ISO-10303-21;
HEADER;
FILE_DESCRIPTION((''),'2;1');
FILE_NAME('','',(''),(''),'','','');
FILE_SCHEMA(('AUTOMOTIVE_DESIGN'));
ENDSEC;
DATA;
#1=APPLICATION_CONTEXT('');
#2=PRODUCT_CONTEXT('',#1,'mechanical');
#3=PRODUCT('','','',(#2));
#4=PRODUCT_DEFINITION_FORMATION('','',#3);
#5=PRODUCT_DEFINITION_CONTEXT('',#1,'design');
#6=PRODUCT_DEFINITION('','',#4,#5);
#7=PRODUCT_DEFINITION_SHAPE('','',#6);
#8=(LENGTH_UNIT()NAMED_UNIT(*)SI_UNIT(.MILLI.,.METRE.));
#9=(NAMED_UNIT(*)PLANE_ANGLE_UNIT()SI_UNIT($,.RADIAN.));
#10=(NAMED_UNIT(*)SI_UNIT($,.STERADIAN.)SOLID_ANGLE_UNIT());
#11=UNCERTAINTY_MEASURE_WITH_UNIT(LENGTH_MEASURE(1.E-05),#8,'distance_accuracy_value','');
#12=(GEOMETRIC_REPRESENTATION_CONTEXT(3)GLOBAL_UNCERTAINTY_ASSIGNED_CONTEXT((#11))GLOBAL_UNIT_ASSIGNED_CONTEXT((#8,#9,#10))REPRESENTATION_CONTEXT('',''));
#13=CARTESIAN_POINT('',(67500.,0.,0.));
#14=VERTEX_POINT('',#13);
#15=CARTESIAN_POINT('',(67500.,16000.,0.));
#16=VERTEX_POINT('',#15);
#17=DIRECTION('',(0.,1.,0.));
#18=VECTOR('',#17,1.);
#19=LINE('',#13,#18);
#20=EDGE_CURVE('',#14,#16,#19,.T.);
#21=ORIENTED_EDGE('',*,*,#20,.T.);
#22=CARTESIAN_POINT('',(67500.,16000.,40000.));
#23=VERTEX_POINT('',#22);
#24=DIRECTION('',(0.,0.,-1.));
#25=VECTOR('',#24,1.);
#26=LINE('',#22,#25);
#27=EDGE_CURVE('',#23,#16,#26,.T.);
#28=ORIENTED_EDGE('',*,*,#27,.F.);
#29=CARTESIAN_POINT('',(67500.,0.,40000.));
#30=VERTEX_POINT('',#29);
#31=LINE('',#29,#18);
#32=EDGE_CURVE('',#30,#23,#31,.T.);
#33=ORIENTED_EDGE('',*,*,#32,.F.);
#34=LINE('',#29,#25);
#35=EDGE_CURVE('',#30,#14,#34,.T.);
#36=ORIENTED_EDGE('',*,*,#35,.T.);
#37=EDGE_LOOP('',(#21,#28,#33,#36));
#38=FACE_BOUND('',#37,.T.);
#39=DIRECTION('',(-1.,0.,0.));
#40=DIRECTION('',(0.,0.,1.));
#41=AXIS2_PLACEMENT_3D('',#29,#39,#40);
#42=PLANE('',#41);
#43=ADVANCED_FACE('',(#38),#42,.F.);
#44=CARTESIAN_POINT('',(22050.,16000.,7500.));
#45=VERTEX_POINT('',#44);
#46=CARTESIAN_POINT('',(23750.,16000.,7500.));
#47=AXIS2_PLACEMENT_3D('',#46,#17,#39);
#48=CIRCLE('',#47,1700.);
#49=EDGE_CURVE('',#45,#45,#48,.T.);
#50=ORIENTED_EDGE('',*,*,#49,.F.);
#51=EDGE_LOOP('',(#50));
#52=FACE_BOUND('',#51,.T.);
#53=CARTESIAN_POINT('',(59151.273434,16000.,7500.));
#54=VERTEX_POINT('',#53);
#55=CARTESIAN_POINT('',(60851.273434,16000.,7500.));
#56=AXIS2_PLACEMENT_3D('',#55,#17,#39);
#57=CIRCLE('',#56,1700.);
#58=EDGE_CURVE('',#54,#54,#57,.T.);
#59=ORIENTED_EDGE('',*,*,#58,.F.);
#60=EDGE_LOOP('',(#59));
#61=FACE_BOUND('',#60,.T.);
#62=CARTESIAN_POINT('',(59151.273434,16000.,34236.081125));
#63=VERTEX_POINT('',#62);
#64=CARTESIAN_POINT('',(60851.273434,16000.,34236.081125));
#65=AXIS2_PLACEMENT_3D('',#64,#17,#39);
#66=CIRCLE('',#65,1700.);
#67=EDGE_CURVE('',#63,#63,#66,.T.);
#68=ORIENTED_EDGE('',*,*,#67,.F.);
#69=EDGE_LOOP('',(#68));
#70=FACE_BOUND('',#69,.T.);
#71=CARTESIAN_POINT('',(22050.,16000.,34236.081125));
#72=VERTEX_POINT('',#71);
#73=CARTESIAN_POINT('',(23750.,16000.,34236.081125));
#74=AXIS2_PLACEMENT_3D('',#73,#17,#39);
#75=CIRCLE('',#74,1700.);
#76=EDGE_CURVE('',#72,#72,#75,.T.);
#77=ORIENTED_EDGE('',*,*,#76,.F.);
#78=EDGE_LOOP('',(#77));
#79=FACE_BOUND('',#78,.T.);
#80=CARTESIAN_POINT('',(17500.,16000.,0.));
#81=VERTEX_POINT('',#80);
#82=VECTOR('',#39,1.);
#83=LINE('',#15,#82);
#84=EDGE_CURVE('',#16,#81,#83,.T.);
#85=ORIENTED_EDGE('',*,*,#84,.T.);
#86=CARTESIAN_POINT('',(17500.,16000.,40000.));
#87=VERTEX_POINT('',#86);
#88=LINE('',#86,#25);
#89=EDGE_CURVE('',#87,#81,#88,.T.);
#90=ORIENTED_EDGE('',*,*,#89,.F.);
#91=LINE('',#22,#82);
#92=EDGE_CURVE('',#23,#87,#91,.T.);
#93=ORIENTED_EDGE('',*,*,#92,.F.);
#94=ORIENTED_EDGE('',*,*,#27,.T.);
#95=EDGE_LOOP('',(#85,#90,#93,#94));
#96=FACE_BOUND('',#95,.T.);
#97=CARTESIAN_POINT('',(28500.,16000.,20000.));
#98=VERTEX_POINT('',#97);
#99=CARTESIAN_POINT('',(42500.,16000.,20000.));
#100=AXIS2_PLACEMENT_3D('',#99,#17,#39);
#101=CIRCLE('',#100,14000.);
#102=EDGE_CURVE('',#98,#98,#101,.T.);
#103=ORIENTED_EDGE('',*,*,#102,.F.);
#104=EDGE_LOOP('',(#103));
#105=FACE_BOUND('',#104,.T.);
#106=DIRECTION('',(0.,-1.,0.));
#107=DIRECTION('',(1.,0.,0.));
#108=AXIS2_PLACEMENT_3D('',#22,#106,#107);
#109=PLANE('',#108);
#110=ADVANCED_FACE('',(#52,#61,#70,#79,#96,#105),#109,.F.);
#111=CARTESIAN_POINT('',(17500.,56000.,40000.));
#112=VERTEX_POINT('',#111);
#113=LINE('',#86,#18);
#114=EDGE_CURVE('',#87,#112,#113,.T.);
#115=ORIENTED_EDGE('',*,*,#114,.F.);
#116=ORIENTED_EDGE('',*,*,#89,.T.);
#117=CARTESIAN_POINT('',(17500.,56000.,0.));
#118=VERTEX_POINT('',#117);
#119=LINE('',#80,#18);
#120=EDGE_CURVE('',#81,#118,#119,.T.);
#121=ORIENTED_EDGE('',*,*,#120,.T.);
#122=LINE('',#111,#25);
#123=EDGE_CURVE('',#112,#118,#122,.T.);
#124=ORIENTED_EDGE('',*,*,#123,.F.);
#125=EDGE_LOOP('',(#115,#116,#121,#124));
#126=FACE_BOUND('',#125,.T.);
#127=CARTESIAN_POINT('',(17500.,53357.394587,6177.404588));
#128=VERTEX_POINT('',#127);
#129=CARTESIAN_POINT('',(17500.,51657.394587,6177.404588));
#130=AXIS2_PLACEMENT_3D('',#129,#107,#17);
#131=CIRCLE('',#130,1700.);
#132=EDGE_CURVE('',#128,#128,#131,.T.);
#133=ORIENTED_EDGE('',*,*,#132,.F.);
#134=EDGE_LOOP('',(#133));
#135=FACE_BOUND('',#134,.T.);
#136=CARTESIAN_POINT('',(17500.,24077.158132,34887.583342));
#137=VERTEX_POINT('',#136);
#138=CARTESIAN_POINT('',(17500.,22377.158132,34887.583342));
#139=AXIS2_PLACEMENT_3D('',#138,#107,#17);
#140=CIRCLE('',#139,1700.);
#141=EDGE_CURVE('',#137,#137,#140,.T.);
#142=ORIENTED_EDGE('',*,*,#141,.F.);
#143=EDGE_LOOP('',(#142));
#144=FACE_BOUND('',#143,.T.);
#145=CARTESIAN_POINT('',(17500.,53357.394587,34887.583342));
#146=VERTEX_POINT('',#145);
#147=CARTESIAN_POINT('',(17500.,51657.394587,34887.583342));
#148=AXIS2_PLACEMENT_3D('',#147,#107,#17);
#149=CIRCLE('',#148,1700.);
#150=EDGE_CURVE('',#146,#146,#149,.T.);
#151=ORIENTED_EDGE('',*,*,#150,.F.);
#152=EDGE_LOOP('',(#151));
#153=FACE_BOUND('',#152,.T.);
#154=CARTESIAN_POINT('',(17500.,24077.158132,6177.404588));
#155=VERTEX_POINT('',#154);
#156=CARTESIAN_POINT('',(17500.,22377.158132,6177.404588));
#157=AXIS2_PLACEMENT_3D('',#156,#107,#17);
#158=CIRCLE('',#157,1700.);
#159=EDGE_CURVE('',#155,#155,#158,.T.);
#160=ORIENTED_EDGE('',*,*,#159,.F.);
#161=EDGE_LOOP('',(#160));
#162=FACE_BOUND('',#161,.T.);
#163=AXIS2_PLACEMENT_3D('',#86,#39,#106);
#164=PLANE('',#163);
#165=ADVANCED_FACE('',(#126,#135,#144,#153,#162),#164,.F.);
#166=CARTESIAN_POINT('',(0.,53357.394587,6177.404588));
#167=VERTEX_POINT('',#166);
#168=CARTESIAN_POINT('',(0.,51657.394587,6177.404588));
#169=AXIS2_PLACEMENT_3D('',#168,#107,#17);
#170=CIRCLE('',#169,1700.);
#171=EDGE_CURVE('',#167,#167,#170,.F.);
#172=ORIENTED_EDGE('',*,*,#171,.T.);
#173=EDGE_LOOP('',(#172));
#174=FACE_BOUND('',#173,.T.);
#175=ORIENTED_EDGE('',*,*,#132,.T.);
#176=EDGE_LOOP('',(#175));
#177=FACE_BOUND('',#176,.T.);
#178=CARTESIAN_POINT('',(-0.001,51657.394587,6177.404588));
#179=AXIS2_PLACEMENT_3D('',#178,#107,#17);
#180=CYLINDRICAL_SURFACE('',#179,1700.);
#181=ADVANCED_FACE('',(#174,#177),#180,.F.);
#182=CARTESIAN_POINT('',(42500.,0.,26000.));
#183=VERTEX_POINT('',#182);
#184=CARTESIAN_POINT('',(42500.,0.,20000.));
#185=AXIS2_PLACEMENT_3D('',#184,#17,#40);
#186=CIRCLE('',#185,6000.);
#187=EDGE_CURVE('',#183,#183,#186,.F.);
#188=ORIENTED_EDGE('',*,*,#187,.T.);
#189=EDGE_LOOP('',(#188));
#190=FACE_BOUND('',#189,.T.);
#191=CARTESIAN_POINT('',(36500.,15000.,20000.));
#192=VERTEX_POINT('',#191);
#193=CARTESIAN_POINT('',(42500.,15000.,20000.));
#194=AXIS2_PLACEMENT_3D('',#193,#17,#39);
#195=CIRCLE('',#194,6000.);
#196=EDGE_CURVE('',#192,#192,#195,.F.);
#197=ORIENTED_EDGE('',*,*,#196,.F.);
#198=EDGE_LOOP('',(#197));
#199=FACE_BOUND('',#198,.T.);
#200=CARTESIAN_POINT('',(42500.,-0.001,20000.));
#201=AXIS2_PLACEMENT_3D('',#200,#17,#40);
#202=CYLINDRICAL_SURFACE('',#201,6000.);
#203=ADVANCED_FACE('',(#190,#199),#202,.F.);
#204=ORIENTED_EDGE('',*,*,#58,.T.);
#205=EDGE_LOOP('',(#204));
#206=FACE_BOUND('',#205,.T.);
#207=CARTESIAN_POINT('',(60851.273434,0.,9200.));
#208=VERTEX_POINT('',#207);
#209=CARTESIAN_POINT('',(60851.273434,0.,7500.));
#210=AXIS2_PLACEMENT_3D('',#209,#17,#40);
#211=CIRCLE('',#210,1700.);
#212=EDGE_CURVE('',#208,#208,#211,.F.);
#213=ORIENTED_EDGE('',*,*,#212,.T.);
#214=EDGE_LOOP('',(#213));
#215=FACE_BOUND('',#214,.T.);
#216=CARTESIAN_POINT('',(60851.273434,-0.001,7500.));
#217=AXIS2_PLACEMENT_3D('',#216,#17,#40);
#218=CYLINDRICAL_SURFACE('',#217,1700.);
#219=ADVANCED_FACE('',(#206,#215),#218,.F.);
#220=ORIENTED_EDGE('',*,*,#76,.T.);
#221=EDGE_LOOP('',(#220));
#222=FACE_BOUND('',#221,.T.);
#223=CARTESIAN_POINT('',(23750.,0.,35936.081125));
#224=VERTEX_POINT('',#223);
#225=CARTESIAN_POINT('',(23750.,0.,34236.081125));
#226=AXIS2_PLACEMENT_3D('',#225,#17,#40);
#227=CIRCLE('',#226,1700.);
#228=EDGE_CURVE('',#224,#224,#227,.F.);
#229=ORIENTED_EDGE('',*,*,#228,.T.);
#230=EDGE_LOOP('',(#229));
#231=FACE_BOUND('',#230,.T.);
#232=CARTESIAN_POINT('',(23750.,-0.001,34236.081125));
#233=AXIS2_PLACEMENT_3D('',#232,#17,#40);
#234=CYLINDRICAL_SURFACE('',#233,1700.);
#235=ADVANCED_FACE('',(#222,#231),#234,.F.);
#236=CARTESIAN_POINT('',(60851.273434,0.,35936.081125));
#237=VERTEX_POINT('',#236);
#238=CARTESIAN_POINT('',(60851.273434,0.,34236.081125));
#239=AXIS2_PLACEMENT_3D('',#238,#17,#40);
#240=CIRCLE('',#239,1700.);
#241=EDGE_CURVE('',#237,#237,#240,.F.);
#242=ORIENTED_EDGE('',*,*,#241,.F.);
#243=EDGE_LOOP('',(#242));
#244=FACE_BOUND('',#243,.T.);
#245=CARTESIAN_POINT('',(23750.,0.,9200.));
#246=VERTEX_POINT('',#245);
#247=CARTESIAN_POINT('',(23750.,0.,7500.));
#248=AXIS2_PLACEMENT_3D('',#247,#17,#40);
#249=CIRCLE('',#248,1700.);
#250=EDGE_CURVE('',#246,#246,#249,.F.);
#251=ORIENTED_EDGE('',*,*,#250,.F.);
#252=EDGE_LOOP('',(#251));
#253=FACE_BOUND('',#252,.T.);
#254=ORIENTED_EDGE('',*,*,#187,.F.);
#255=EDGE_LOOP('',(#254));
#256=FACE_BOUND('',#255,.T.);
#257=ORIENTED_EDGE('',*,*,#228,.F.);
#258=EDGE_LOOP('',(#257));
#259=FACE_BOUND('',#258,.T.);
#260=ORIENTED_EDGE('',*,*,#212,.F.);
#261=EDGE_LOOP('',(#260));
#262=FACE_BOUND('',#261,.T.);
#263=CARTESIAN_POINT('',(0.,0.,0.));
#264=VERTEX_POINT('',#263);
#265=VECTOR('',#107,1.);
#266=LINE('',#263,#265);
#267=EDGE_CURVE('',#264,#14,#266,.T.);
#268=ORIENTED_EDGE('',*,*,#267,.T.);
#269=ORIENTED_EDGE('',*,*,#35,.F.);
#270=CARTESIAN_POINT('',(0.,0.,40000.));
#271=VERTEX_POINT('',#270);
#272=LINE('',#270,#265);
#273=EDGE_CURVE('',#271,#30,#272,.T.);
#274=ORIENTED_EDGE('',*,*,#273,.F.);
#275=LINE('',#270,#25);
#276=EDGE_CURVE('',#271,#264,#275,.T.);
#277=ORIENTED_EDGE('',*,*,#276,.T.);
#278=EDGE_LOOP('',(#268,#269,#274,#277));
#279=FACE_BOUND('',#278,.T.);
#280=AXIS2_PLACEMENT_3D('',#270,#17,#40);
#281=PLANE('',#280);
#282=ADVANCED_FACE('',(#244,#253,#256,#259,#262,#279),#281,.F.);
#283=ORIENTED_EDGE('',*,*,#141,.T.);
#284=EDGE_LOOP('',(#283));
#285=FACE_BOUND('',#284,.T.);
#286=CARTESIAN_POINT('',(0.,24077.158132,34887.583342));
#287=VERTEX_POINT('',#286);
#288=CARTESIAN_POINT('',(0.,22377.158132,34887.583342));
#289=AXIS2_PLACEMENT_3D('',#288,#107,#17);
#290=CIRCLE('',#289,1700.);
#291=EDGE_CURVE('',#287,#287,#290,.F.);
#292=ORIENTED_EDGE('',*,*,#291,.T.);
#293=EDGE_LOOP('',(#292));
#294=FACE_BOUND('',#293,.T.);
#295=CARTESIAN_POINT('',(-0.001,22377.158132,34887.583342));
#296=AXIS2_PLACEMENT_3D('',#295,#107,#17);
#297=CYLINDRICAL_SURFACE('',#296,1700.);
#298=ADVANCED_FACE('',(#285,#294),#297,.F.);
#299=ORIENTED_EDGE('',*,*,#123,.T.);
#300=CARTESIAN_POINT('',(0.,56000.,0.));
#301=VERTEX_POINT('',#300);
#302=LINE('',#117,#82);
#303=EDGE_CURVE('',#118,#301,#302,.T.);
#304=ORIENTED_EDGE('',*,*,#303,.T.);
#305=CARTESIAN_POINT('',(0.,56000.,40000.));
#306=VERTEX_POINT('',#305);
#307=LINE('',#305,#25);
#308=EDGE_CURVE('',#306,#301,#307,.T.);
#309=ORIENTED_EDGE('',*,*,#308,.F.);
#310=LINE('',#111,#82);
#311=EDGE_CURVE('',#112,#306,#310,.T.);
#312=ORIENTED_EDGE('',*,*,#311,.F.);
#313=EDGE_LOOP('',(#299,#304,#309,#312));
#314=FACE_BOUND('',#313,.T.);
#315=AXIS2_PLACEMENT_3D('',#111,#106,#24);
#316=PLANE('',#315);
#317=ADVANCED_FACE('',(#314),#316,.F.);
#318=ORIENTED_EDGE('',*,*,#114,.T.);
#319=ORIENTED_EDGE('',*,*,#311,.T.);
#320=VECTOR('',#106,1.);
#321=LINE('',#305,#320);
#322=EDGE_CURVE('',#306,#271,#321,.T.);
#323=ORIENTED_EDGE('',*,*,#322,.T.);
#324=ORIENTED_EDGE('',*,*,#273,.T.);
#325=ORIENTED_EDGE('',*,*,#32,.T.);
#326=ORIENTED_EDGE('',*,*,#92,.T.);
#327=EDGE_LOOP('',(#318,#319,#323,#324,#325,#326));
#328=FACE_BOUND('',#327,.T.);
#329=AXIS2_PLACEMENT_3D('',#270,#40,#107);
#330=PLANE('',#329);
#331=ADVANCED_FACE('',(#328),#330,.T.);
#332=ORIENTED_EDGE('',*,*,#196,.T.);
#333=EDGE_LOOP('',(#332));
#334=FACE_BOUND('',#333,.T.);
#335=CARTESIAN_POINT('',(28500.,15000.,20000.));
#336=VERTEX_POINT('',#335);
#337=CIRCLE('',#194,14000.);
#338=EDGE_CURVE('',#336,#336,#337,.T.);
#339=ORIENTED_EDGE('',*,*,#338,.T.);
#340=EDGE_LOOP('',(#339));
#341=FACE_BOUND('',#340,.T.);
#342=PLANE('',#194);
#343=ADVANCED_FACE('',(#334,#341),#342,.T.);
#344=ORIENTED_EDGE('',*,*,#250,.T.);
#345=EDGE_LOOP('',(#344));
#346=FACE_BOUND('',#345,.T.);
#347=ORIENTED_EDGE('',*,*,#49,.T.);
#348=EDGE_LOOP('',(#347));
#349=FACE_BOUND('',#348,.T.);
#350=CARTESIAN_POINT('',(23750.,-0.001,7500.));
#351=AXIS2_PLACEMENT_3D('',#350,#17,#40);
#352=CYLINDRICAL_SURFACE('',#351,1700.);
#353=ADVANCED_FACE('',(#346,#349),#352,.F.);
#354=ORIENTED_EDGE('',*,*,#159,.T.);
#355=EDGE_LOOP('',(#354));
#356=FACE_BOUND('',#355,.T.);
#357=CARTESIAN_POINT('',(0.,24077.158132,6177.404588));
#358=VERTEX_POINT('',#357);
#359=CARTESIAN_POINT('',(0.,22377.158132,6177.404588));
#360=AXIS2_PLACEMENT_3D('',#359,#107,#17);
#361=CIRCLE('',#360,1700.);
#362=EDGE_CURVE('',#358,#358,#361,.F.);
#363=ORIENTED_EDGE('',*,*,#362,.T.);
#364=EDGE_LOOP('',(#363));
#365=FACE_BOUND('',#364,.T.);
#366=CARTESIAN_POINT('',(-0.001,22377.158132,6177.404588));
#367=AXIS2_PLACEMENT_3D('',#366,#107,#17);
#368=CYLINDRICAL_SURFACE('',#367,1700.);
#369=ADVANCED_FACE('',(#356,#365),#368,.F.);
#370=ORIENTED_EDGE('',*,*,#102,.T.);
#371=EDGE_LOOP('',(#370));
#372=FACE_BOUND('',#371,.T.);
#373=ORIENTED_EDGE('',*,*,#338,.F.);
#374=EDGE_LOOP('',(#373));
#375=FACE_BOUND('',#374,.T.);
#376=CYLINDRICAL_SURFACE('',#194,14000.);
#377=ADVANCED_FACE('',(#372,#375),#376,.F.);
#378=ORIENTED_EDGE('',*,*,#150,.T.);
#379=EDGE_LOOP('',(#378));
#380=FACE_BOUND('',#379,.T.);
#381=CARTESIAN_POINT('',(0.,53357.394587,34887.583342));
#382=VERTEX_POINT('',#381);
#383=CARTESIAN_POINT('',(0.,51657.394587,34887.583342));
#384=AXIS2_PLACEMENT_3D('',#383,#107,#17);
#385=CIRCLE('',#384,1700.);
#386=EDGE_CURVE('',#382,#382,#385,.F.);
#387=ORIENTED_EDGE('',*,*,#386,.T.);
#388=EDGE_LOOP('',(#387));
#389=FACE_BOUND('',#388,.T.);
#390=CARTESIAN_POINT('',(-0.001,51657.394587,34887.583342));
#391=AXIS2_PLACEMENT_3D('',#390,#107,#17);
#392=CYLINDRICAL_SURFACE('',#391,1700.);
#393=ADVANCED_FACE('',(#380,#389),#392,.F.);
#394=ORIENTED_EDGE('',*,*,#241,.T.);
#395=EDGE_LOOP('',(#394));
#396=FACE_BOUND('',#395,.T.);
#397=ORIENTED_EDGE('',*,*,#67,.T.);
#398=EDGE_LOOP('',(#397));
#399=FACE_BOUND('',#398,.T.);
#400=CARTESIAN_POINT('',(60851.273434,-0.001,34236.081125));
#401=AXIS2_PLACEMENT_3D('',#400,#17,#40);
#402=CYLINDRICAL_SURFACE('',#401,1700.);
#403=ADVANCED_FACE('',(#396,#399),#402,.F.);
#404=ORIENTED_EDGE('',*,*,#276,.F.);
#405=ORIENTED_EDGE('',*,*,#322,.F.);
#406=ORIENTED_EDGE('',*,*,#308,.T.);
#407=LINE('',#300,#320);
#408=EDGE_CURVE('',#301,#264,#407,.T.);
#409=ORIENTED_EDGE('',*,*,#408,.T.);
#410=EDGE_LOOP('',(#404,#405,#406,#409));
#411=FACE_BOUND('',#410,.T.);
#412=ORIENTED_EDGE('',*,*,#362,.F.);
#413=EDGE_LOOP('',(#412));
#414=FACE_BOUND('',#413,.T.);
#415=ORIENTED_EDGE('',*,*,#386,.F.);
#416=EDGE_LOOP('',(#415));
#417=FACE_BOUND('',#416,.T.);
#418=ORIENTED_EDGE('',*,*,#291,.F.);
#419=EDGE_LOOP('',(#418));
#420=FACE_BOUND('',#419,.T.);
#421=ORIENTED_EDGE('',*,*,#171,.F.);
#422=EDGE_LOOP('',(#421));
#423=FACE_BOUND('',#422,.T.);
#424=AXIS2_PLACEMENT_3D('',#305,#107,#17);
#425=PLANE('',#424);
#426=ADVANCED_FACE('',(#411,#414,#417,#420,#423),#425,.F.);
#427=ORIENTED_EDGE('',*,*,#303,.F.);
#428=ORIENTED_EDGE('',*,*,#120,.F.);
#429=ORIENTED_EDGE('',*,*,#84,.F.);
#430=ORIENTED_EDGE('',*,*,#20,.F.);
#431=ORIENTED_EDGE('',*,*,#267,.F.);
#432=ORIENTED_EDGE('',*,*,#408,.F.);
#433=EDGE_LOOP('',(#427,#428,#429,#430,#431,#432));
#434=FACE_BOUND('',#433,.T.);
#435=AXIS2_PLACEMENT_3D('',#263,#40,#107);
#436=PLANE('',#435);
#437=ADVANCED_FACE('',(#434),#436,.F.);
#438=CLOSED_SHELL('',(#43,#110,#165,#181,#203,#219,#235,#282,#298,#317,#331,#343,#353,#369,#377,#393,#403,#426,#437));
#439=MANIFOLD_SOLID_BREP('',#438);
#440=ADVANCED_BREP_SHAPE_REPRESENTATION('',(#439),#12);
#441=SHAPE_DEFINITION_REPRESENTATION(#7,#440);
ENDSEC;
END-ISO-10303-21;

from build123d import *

# Parameters (mm, degrees)
BOSS_EXTRUDE1_DEPTH = 40000
SKETCH3_R           = 6000
SKETCH3_R_2         = 1700
CUT_EXTRUDE1_DEPTH  = 16000
SKETCH4_R           = 1700
CUT_EXTRUDE2_DEPTH  = 17500
SKETCH5_R           = 14000
CUT_EXTRUDE3_DEPTH  = 1000


with BuildPart() as part:
    # Sketch2 → Boss-Extrude1 (new body)
    with BuildSketch(Plane.XY):
        Polygon((0, 56000), (0, 0), (67500, 0), (67500, 16000), (17500, 16000), (17500, 56000), align=None)
    extrude(amount=BOSS_EXTRUDE1_DEPTH)

    # Sketch3 → Cut-Extrude1 (cut)
    with BuildSketch(Plane(origin=(0, 16000, 0), x_dir=(1, 0, 0), z_dir=(0, 1, 0))):
        with Locations(Location((42500, -20000, 0), (0, 0, 270))):
            Circle(SKETCH3_R)
        with Locations(Location((23750, -7500, 0), (0, 0, 270))):
            Circle(SKETCH3_R_2)
        with Locations(Location((60851.273434081, -7500, 0), (0, 0, 270))):
            Circle(SKETCH3_R_2)
        with Locations(Location((60851.273434081, -34236.081124855, 0), (0, 0, 270))):
            Circle(SKETCH3_R_2)
        with Locations(Location((23750, -34236.081124855, 0), (0, 0, 270))):
            Circle(SKETCH3_R_2)
    extrude(amount=-CUT_EXTRUDE1_DEPTH, mode=Mode.SUBTRACT)

    # Sketch4 → Cut-Extrude2 (cut)
    with BuildSketch(Plane(origin=(17500, 0, 0), x_dir=(0, 0, -1), z_dir=(1, 0, 0))):
        with Locations(Location((-34887.583341657, 51657.39458708, 0), (0, 0, 90))):
            Circle(SKETCH4_R)
        with Locations(Location((-6177.404587566, 51657.39458708, 0), (0, 0, 90))):
            Circle(SKETCH4_R)
        with Locations(Location((-34887.583341657, 22377.158132096, 0), (0, 0, 90))):
            Circle(SKETCH4_R)
        with Locations(Location((-6177.404587566, 22377.158132096, 0), (0, 0, 90))):
            Circle(SKETCH4_R)
    extrude(amount=-CUT_EXTRUDE2_DEPTH, mode=Mode.SUBTRACT)

    # Sketch5 → Cut-Extrude3 (cut)
    with BuildSketch(Plane(origin=(0, 16000, 0), x_dir=(1, 0, 0), z_dir=(0, 1, 0))):
        with Locations(Location((42500, -20000, 0), (0, 0, 180))):
            Circle(SKETCH5_R)
    extrude(amount=-CUT_EXTRUDE3_DEPTH, mode=Mode.SUBTRACT)


solid = part.part
